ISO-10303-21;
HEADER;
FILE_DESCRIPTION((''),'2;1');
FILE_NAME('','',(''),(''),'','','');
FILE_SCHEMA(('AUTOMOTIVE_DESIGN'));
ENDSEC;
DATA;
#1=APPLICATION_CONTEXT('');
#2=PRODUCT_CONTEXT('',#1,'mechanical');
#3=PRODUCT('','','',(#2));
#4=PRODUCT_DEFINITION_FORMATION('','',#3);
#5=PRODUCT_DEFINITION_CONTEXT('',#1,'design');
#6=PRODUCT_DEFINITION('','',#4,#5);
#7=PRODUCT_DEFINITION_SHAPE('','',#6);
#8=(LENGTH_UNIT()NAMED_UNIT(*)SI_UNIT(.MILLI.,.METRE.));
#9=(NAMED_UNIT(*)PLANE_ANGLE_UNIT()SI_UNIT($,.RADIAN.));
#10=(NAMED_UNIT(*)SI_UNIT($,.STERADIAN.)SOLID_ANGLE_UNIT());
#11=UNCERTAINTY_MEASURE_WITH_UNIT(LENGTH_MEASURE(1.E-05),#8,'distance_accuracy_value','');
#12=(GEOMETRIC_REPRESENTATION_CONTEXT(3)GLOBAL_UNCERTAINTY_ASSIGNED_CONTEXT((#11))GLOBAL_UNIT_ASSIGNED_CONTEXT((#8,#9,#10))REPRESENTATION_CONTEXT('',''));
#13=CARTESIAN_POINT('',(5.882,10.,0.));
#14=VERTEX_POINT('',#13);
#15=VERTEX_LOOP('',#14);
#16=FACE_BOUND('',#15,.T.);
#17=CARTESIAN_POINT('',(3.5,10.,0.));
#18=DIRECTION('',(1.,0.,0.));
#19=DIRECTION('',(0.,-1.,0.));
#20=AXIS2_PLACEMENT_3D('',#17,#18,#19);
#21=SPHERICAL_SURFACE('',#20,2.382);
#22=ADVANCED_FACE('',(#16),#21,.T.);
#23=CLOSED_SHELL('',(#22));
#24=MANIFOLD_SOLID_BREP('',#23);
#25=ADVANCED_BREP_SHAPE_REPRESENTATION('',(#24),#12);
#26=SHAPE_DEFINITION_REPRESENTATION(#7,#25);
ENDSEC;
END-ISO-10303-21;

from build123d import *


with BuildPart() as part:
    # Sketch1 → Revolve1 (revolve)
    with BuildSketch(Plane.XY):
        with BuildLine():
            Line((5.882, 10), (1.118, 10))
            ThreePointArc((1.118, 10), (3.5, 12.382), (5.882, 10))
        make_face()
    revolve(axis=Axis((50, 10, 0), (-1, 0, 0)))


solid = part.part
